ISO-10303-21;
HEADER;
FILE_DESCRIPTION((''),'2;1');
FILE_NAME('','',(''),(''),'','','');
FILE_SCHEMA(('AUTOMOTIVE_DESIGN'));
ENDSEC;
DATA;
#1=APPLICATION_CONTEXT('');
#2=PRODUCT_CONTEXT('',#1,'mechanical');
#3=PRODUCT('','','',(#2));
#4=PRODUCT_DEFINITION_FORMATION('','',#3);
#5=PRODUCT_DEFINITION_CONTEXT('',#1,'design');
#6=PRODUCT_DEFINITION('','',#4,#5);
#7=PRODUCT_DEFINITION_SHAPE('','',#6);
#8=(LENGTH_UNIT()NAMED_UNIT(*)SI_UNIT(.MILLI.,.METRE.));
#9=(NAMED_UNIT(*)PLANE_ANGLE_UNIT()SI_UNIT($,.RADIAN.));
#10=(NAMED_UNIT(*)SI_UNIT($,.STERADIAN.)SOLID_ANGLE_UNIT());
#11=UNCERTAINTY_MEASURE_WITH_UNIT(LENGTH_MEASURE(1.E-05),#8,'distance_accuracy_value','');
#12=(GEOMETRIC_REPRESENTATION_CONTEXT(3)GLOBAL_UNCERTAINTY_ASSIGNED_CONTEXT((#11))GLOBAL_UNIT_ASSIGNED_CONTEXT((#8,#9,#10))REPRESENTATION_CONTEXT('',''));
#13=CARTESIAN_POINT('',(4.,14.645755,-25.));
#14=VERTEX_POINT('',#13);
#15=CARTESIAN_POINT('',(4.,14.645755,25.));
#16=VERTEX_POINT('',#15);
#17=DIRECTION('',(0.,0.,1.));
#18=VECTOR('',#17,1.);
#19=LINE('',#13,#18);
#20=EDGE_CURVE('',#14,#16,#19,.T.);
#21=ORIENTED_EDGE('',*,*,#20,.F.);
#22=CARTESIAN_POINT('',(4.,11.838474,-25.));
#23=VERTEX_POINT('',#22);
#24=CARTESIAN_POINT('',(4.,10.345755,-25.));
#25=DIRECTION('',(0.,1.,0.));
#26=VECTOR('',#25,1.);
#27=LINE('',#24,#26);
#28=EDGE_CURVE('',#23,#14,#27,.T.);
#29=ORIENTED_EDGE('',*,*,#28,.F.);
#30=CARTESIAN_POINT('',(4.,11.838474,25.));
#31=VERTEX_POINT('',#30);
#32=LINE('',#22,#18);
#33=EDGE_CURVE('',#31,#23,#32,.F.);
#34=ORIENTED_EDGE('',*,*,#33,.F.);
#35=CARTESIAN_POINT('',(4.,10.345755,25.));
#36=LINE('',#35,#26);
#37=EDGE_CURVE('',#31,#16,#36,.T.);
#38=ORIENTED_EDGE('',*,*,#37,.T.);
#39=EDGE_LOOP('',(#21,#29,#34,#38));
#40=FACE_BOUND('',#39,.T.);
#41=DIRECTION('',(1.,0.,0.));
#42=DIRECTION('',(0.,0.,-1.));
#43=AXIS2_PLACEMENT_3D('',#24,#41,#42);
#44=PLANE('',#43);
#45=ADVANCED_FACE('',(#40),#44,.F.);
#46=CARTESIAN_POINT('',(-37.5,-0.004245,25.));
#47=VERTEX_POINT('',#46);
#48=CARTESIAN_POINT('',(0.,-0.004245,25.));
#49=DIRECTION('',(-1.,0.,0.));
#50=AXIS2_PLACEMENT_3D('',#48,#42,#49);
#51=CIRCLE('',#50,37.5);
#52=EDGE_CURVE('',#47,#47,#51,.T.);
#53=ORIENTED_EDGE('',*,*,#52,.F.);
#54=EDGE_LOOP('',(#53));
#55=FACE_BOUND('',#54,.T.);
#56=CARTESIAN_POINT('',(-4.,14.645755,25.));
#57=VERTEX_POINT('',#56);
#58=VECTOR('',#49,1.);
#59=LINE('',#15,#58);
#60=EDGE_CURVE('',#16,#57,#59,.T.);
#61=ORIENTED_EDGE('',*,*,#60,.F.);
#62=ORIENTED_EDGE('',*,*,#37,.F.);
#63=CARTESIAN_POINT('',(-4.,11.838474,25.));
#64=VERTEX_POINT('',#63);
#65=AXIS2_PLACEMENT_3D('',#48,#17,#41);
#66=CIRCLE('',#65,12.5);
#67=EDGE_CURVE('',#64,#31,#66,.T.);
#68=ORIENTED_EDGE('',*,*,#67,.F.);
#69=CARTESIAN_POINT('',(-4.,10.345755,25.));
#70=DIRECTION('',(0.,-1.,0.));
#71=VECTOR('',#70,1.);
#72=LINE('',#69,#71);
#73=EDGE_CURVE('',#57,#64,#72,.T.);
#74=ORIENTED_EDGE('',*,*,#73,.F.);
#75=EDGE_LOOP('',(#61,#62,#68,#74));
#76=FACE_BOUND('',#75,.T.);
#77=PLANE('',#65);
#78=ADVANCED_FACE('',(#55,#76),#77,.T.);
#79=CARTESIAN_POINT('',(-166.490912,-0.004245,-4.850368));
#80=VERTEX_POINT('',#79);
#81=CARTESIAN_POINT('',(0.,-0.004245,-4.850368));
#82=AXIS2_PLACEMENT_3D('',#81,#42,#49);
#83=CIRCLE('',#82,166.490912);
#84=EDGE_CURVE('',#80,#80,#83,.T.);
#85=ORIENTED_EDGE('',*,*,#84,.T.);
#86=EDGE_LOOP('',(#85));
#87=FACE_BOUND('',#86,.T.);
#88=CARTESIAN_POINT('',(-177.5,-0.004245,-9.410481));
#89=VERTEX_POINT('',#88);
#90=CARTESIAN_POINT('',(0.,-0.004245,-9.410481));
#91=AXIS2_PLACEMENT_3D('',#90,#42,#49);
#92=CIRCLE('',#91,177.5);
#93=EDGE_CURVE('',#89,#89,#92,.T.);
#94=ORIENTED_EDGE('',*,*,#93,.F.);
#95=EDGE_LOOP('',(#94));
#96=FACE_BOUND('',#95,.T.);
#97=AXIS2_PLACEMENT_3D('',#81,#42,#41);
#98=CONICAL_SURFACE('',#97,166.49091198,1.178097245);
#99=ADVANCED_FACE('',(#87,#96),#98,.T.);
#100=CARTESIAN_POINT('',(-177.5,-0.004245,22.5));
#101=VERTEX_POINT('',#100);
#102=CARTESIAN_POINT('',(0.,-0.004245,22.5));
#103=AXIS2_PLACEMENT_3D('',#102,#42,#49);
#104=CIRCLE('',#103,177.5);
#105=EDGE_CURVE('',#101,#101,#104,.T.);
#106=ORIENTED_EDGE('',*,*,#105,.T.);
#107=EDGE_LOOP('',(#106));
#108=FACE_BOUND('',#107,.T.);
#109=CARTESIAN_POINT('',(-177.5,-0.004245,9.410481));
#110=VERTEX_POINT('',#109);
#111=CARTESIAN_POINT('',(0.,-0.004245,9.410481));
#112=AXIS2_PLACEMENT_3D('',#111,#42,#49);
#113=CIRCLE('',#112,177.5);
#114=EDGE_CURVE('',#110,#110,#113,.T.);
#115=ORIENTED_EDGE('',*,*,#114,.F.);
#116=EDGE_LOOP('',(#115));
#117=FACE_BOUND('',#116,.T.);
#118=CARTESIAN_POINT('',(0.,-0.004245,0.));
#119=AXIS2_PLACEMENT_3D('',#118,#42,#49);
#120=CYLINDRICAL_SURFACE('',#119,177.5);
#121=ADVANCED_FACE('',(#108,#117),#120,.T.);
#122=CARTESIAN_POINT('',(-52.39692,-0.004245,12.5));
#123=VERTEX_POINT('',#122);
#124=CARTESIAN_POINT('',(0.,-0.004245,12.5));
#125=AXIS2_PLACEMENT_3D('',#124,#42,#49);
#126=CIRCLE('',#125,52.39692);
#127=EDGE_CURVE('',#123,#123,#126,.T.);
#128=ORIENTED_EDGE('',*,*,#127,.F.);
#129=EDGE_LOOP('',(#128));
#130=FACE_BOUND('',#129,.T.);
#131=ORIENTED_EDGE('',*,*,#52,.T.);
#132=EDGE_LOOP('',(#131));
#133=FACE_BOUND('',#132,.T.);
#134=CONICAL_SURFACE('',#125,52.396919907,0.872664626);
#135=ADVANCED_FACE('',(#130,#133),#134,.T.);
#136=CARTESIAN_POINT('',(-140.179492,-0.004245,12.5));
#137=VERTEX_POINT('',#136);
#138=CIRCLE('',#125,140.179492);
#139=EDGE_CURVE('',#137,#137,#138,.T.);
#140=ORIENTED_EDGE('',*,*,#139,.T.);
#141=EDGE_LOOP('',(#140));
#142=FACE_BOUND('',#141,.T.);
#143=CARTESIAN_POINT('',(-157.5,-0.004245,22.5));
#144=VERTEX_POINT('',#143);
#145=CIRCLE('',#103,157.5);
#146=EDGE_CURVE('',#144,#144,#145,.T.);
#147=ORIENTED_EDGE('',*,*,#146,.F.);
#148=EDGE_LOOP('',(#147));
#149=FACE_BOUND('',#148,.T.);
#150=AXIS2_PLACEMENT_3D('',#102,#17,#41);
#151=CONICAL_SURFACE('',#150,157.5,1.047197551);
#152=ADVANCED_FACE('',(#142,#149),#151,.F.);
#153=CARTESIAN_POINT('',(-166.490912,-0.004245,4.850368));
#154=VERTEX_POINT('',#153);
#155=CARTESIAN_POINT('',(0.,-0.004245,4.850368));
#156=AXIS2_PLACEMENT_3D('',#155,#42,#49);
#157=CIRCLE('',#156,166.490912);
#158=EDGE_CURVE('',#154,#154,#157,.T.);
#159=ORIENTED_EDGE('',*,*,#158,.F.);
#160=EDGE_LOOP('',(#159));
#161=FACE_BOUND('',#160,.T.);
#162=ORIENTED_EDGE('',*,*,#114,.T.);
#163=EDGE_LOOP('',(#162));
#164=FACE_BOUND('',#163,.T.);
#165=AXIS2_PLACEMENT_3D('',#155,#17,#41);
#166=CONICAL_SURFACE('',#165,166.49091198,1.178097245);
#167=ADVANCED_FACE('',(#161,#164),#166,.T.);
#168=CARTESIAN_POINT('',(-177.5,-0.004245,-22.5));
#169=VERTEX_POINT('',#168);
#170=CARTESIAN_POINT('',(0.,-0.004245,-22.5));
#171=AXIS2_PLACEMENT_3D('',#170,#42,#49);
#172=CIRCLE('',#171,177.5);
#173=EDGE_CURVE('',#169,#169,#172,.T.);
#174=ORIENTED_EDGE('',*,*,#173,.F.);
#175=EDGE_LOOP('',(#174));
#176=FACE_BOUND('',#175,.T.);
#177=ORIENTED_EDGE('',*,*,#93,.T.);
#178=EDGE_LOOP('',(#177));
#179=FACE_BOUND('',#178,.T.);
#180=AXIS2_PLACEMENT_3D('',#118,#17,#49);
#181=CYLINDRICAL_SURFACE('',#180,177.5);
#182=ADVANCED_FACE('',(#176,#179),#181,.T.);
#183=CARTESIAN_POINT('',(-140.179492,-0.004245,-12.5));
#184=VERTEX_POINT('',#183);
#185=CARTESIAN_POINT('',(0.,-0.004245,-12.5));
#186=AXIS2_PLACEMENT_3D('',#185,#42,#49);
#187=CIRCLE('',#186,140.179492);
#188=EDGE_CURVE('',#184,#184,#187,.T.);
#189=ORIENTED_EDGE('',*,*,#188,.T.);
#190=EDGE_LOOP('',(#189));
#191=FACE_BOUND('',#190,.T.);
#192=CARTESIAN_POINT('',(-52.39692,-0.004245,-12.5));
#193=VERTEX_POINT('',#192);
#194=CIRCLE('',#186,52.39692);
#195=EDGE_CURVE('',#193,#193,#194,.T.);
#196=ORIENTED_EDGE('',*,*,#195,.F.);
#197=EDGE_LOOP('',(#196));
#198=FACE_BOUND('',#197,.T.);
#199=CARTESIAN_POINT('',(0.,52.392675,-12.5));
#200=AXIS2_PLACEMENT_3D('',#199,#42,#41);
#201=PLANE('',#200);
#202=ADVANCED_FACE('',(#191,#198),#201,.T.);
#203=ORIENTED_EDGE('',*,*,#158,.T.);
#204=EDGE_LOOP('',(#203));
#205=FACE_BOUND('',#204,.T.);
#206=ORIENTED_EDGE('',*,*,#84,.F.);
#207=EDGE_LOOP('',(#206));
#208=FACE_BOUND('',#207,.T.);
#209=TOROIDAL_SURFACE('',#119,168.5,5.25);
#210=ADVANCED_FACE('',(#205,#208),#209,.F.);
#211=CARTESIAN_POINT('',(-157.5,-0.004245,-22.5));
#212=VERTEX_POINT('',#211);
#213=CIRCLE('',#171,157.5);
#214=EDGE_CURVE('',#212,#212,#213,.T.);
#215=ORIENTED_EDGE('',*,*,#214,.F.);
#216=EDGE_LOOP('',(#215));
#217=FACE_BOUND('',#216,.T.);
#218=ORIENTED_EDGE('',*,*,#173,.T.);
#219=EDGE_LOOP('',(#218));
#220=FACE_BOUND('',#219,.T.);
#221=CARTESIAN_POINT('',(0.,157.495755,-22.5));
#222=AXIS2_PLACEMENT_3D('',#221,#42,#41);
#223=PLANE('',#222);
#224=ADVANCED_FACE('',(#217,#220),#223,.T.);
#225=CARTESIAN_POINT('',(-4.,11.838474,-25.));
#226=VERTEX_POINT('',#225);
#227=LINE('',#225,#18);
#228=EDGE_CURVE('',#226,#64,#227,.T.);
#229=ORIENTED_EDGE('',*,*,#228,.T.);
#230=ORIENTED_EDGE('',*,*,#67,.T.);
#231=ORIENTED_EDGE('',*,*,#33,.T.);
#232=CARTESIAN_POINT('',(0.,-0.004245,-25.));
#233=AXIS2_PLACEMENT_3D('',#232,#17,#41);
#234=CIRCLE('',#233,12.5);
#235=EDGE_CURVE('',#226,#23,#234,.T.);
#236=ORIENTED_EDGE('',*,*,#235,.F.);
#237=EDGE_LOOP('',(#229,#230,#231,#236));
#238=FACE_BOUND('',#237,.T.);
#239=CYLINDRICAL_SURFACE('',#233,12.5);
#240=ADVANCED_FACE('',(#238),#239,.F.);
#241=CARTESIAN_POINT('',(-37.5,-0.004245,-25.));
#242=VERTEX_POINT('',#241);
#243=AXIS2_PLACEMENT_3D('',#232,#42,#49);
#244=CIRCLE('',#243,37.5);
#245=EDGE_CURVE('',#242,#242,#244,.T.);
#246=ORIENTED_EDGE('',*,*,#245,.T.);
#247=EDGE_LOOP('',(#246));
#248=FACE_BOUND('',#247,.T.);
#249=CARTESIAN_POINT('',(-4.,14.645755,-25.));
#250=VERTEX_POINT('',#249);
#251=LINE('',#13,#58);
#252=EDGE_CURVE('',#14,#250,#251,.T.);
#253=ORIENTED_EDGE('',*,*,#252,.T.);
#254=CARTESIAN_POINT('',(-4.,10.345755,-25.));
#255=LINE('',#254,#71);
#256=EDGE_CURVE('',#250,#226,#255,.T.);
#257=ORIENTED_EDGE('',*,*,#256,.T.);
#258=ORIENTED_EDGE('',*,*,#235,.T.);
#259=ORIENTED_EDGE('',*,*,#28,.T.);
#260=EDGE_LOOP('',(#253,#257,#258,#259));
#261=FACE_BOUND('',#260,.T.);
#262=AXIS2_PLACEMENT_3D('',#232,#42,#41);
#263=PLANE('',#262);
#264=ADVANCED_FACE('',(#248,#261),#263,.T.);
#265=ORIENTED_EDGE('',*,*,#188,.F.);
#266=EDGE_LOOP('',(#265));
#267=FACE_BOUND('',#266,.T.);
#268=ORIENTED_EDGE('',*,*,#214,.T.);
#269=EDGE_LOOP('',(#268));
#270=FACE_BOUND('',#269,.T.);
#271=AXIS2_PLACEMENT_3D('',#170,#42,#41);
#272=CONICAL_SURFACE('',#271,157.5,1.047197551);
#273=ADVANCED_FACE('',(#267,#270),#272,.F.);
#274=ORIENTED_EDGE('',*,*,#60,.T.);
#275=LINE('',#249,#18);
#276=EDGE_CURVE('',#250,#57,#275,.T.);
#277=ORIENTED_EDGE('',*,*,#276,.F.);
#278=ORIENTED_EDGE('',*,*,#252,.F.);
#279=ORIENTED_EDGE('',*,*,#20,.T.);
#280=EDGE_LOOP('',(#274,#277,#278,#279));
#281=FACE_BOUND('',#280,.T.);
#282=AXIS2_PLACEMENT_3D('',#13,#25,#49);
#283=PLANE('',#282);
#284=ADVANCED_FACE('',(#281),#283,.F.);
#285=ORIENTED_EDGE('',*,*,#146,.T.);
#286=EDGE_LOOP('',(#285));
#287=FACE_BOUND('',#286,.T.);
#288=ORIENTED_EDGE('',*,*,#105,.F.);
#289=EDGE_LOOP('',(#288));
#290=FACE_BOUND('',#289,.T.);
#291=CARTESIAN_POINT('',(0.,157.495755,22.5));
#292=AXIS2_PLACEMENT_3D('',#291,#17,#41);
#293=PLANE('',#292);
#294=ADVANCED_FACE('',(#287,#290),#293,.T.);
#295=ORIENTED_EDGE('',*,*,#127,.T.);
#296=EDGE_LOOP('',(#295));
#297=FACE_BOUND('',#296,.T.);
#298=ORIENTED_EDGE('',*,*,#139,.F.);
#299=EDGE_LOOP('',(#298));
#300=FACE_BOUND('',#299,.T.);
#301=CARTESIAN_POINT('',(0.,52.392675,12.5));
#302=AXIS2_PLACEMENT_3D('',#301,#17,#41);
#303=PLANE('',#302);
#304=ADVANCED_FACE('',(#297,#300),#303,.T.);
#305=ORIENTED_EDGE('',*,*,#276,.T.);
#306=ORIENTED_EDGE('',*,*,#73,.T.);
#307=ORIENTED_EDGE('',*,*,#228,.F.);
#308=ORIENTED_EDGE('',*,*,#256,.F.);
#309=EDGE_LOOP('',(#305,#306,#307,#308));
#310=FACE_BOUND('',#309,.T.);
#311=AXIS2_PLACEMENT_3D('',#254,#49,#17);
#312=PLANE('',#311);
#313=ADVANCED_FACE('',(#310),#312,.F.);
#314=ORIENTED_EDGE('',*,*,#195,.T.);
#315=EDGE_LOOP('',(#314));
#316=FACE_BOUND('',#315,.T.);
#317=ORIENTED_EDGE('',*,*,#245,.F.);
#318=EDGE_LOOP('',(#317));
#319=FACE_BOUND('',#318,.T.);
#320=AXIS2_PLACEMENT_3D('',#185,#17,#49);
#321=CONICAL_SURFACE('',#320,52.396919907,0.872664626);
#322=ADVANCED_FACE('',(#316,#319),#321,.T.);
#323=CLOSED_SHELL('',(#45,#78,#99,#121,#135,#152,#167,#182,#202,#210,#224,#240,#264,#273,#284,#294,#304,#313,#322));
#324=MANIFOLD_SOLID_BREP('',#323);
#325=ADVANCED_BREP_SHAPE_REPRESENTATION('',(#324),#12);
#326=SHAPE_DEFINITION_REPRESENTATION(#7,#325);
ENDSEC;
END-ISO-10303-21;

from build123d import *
from build123d.topology import SkipClean

# Parameters (mm, degrees)
ESQUISSE2_R             = 25
ENL_V_MAT_EXTRU_1_DEPTH = 512.908194894
ESQUISSE3_W             = 16
ESQUISSE3_H             = 8.6
ENL_V_MAT_EXTRU_2_DEPTH = 512.908194894
ECHELLE1_SCALE          = 0.5


with BuildPart() as part:
    # Esquisse1 → Révolution1 (revolve)
    with BuildSketch(Plane(origin=(0, 0, 0), x_dir=(0, 0, -1), z_dir=(1, 0, 0)), mode=Mode.PRIVATE) as r_volution1_sk:
        with BuildLine():
            Line((0, 0), (-50, 0))
            Line((-50, 0), (-50, 75))
            Line((-50, 75), (-25, 104.793839815))
            Line((-25, 104.793839815), (-25, 280.358983849))
            Line((-25, 280.358983849), (-45, 315))
            Line((-45, 315), (-45, 355))
            Line((-45, 355), (-18.820962226, 355))
            Line((-18.820962226, 355), (-9.700735091, 332.98182396))
            ThreePointArc((-9.700735091, 332.98182396), (-5.833487447, 328.269569071), (0, 326.5))
            Line((0, 326.5), (0, 0))
        make_face()
    r_volution1 = revolve(r_volution1_sk.sketch.rotate(Axis((0, 0, 0), (0, 0, 1)), 90), axis=Axis((0, 0, 0), (0, 0, 1)))

    # Symétrie1: Révolution1 across plane
    with SkipClean():  # the faces are left unmerged after this step: merging them gives an invalid solid
        add(r_volution1.mirror(Plane(origin=(0, 326.5, 0), x_dir=(1, 0, 0), z_dir=(0, 0, -1))))

    # Esquisse2 → Enlèv. mat.-Extru.1 (cut, through all)
    with SkipClean():  # the faces are left unmerged after this step: merging them gives an invalid solid
        with BuildSketch(Plane.XY.offset(50)):
            Circle(ESQUISSE2_R)
        extrude(amount=-ENL_V_MAT_EXTRU_1_DEPTH, mode=Mode.SUBTRACT)

    # Esquisse3 → Enlèv. mat.-Extru.2 (cut, through all)
    with SkipClean():  # the faces are left unmerged after this step: merging them gives an invalid solid
        with BuildSketch(Plane.XY.offset(50)):
            with Locations((0, 25)):
                Rectangle(ESQUISSE3_W, ESQUISSE3_H)
        extrude(amount=-ENL_V_MAT_EXTRU_2_DEPTH, mode=Mode.SUBTRACT)


with BuildPart() as part_1:
    # Echelle1: scaled about (0, -0.00849014, 0)
    add(part.part.scale(ECHELLE1_SCALE).moved(Location((0, -0.00424507, 0))))


solid = part_1.part
